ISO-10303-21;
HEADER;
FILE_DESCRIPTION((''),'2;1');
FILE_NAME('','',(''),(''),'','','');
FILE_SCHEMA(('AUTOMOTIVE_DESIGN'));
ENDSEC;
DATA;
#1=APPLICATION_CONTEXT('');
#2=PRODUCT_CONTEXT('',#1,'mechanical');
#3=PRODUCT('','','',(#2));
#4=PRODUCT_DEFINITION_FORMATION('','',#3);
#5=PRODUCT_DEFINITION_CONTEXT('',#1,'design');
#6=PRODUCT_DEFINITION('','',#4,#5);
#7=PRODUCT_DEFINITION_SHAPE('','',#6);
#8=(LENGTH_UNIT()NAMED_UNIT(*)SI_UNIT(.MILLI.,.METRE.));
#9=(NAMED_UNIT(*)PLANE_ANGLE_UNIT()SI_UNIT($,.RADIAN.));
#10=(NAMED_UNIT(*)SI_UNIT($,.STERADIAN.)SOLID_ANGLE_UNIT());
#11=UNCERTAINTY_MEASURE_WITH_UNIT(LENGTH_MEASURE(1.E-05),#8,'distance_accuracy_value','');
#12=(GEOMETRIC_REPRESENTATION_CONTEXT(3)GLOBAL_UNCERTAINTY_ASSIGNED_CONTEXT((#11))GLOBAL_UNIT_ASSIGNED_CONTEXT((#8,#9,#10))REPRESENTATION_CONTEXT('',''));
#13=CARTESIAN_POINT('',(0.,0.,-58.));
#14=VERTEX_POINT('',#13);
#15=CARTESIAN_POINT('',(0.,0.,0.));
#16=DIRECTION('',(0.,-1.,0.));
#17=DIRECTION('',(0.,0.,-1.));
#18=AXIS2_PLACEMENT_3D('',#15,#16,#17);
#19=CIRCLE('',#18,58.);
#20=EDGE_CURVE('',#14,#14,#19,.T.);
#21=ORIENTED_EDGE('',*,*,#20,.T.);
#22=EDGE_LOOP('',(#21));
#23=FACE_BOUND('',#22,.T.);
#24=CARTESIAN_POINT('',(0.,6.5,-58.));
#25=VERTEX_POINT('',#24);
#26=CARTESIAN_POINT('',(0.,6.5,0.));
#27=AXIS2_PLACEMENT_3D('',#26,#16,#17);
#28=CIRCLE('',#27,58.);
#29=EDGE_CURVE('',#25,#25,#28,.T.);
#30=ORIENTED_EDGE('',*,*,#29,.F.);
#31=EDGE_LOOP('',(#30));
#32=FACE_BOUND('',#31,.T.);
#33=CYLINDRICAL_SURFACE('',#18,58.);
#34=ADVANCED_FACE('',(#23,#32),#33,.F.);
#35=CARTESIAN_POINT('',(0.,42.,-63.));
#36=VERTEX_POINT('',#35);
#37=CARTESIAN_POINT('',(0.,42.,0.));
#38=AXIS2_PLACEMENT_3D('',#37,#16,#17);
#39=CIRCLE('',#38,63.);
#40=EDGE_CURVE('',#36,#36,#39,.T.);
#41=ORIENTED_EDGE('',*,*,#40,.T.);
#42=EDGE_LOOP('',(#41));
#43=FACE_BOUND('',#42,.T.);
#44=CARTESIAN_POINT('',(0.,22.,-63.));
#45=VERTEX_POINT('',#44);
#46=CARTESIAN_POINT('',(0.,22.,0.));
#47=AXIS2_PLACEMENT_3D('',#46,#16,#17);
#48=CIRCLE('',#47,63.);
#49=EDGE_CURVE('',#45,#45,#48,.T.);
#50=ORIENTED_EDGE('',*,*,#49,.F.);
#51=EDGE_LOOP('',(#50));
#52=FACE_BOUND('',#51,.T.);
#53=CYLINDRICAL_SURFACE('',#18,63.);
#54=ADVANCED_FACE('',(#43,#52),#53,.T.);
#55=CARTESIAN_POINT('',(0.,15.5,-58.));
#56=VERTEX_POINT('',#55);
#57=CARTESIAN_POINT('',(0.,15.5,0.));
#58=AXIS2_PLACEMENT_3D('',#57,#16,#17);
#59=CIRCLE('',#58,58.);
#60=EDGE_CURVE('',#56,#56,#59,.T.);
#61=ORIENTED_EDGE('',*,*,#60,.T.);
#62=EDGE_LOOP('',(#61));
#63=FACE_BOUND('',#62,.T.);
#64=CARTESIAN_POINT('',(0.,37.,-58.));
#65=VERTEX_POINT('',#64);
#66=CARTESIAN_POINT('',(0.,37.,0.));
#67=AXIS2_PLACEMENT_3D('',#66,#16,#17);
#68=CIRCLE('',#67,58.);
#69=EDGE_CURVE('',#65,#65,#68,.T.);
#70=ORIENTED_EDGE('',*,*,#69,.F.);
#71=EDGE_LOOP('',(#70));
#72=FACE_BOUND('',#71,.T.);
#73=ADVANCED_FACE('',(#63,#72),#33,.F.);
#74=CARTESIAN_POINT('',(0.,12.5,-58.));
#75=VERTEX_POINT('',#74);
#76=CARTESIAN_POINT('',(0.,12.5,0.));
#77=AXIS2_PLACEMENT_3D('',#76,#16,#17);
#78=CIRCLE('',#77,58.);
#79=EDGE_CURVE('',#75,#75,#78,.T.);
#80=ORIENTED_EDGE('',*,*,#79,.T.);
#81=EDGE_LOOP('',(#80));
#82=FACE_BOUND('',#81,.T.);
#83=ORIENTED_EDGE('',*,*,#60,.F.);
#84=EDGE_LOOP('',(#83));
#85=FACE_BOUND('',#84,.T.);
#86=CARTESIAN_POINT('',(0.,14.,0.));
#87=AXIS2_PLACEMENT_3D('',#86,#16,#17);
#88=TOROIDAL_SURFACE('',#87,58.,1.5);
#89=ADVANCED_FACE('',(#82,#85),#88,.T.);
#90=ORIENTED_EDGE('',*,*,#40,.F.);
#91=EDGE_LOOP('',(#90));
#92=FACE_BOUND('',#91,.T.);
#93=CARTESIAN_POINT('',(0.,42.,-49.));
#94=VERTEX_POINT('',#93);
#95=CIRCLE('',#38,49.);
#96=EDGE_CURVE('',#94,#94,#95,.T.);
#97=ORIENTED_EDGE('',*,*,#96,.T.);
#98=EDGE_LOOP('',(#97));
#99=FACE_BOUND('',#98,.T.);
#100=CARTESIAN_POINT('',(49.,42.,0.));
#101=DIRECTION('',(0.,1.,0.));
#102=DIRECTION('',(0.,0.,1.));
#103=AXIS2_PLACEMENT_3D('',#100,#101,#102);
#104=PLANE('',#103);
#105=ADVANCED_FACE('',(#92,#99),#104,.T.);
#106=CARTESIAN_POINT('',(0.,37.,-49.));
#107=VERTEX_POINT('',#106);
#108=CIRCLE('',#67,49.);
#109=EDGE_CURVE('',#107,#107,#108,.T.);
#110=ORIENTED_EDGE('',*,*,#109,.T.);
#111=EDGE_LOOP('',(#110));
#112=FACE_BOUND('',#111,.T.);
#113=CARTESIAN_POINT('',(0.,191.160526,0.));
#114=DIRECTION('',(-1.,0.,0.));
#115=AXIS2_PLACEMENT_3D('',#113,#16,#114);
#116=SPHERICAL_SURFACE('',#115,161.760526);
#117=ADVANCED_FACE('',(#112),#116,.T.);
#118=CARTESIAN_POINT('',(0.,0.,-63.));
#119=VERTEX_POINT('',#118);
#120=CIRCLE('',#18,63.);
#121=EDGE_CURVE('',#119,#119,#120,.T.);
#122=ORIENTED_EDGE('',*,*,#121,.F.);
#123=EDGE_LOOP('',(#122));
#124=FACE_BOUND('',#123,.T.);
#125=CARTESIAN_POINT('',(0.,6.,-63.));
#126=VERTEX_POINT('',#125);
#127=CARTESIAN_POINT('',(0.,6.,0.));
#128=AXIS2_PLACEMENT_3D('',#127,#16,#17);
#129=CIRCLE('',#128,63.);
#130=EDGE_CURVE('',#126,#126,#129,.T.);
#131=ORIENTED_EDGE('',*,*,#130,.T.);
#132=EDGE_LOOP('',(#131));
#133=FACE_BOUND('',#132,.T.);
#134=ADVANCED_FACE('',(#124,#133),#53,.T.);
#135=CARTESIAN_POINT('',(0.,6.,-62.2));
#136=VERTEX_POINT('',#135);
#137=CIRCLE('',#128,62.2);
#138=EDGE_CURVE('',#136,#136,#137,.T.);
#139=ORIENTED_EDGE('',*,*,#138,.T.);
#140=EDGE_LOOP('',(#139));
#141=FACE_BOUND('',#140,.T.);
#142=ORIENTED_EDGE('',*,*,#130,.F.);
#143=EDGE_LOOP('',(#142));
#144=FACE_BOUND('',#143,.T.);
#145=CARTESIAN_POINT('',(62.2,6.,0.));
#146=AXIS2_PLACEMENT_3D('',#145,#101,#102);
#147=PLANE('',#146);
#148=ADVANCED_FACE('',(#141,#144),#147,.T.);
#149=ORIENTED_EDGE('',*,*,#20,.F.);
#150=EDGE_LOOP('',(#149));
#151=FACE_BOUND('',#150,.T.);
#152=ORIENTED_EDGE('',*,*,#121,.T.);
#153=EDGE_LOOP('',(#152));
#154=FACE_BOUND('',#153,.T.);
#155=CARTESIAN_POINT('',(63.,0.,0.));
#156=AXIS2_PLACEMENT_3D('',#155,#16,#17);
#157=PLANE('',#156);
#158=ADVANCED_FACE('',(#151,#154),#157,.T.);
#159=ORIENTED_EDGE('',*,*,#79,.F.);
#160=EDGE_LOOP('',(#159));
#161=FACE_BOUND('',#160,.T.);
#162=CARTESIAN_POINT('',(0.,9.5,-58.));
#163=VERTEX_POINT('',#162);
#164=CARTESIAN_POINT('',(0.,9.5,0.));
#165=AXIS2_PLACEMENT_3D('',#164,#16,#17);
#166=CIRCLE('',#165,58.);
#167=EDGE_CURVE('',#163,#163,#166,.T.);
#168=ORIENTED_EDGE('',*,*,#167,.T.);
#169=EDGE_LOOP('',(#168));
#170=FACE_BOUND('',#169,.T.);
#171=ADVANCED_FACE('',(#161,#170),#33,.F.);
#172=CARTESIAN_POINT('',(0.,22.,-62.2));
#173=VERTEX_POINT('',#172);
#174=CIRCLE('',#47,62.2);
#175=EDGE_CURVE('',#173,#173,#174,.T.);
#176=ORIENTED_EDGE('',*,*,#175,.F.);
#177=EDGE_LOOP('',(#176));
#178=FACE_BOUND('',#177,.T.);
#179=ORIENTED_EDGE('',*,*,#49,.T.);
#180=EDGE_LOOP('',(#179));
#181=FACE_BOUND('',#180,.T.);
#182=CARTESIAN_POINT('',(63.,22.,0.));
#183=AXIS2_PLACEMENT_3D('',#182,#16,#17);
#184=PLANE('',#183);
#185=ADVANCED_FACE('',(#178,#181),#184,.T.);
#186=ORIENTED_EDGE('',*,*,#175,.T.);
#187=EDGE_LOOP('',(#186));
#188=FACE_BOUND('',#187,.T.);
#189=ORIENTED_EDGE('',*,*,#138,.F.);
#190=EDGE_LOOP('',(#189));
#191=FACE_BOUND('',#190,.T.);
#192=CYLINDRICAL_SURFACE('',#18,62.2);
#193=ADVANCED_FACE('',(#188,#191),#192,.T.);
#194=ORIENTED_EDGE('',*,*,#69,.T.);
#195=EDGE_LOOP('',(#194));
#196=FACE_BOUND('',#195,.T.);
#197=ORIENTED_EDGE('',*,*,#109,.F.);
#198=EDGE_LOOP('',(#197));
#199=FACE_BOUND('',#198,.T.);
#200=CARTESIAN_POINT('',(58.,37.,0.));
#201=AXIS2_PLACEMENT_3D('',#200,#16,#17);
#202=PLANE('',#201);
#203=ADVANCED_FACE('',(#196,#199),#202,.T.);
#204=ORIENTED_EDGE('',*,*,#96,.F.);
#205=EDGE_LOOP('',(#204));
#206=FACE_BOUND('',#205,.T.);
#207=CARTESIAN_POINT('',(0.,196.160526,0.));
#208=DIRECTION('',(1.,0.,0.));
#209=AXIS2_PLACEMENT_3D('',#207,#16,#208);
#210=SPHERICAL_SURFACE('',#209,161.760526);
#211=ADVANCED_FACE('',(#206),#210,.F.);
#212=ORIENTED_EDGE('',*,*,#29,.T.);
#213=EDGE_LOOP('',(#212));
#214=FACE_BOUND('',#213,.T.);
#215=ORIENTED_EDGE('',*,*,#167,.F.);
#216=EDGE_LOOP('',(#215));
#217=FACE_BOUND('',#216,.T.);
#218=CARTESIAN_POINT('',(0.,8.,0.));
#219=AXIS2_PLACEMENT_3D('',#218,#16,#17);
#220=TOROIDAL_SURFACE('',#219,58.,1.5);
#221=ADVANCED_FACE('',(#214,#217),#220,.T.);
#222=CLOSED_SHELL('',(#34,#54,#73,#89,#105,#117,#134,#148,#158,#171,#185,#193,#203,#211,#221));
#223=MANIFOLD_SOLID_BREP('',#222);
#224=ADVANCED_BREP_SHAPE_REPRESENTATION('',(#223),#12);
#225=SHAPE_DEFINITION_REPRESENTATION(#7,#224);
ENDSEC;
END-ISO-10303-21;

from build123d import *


with BuildPart() as part:
    # Sketch1 → Revolve1 (revolve)
    with BuildSketch(Plane.XY, mode=Mode.PRIVATE) as revolve1_sk:
        with BuildLine():
            Line((0, 29.4), (0, 34.4))
            ThreePointArc((0, 34.4), (24.792942544, 36.311291491), (49, 42))
            Line((49, 42), (63, 42))
            Line((63, 42), (63, 22))
            Line((63, 22), (62.2, 22))
            Line((62.2, 22), (62.2, 6))
            Line((62.2, 6), (63, 6))
            Line((63, 6), (63, 0))
            Line((63, 0), (58, 0))
            Line((58, 0), (58, 6.5))
            ThreePointArc((58, 6.5), (56.5, 8), (58, 9.5))
            Line((58, 9.5), (58, 12.5))
            ThreePointArc((58, 12.5), (56.5, 14), (58, 15.5))
            Line((58, 15.5), (58, 37))
            Line((58, 37), (49, 37))
            ThreePointArc((49, 37), (24.792942544, 31.311291491), (0, 29.4))
        make_face()
    revolve(revolve1_sk.sketch.rotate(Axis((0, 0, 0), (0, 1, 0)), 90), axis=Axis((0, 0, 0), (0, 1, 0)))


solid = part.part
